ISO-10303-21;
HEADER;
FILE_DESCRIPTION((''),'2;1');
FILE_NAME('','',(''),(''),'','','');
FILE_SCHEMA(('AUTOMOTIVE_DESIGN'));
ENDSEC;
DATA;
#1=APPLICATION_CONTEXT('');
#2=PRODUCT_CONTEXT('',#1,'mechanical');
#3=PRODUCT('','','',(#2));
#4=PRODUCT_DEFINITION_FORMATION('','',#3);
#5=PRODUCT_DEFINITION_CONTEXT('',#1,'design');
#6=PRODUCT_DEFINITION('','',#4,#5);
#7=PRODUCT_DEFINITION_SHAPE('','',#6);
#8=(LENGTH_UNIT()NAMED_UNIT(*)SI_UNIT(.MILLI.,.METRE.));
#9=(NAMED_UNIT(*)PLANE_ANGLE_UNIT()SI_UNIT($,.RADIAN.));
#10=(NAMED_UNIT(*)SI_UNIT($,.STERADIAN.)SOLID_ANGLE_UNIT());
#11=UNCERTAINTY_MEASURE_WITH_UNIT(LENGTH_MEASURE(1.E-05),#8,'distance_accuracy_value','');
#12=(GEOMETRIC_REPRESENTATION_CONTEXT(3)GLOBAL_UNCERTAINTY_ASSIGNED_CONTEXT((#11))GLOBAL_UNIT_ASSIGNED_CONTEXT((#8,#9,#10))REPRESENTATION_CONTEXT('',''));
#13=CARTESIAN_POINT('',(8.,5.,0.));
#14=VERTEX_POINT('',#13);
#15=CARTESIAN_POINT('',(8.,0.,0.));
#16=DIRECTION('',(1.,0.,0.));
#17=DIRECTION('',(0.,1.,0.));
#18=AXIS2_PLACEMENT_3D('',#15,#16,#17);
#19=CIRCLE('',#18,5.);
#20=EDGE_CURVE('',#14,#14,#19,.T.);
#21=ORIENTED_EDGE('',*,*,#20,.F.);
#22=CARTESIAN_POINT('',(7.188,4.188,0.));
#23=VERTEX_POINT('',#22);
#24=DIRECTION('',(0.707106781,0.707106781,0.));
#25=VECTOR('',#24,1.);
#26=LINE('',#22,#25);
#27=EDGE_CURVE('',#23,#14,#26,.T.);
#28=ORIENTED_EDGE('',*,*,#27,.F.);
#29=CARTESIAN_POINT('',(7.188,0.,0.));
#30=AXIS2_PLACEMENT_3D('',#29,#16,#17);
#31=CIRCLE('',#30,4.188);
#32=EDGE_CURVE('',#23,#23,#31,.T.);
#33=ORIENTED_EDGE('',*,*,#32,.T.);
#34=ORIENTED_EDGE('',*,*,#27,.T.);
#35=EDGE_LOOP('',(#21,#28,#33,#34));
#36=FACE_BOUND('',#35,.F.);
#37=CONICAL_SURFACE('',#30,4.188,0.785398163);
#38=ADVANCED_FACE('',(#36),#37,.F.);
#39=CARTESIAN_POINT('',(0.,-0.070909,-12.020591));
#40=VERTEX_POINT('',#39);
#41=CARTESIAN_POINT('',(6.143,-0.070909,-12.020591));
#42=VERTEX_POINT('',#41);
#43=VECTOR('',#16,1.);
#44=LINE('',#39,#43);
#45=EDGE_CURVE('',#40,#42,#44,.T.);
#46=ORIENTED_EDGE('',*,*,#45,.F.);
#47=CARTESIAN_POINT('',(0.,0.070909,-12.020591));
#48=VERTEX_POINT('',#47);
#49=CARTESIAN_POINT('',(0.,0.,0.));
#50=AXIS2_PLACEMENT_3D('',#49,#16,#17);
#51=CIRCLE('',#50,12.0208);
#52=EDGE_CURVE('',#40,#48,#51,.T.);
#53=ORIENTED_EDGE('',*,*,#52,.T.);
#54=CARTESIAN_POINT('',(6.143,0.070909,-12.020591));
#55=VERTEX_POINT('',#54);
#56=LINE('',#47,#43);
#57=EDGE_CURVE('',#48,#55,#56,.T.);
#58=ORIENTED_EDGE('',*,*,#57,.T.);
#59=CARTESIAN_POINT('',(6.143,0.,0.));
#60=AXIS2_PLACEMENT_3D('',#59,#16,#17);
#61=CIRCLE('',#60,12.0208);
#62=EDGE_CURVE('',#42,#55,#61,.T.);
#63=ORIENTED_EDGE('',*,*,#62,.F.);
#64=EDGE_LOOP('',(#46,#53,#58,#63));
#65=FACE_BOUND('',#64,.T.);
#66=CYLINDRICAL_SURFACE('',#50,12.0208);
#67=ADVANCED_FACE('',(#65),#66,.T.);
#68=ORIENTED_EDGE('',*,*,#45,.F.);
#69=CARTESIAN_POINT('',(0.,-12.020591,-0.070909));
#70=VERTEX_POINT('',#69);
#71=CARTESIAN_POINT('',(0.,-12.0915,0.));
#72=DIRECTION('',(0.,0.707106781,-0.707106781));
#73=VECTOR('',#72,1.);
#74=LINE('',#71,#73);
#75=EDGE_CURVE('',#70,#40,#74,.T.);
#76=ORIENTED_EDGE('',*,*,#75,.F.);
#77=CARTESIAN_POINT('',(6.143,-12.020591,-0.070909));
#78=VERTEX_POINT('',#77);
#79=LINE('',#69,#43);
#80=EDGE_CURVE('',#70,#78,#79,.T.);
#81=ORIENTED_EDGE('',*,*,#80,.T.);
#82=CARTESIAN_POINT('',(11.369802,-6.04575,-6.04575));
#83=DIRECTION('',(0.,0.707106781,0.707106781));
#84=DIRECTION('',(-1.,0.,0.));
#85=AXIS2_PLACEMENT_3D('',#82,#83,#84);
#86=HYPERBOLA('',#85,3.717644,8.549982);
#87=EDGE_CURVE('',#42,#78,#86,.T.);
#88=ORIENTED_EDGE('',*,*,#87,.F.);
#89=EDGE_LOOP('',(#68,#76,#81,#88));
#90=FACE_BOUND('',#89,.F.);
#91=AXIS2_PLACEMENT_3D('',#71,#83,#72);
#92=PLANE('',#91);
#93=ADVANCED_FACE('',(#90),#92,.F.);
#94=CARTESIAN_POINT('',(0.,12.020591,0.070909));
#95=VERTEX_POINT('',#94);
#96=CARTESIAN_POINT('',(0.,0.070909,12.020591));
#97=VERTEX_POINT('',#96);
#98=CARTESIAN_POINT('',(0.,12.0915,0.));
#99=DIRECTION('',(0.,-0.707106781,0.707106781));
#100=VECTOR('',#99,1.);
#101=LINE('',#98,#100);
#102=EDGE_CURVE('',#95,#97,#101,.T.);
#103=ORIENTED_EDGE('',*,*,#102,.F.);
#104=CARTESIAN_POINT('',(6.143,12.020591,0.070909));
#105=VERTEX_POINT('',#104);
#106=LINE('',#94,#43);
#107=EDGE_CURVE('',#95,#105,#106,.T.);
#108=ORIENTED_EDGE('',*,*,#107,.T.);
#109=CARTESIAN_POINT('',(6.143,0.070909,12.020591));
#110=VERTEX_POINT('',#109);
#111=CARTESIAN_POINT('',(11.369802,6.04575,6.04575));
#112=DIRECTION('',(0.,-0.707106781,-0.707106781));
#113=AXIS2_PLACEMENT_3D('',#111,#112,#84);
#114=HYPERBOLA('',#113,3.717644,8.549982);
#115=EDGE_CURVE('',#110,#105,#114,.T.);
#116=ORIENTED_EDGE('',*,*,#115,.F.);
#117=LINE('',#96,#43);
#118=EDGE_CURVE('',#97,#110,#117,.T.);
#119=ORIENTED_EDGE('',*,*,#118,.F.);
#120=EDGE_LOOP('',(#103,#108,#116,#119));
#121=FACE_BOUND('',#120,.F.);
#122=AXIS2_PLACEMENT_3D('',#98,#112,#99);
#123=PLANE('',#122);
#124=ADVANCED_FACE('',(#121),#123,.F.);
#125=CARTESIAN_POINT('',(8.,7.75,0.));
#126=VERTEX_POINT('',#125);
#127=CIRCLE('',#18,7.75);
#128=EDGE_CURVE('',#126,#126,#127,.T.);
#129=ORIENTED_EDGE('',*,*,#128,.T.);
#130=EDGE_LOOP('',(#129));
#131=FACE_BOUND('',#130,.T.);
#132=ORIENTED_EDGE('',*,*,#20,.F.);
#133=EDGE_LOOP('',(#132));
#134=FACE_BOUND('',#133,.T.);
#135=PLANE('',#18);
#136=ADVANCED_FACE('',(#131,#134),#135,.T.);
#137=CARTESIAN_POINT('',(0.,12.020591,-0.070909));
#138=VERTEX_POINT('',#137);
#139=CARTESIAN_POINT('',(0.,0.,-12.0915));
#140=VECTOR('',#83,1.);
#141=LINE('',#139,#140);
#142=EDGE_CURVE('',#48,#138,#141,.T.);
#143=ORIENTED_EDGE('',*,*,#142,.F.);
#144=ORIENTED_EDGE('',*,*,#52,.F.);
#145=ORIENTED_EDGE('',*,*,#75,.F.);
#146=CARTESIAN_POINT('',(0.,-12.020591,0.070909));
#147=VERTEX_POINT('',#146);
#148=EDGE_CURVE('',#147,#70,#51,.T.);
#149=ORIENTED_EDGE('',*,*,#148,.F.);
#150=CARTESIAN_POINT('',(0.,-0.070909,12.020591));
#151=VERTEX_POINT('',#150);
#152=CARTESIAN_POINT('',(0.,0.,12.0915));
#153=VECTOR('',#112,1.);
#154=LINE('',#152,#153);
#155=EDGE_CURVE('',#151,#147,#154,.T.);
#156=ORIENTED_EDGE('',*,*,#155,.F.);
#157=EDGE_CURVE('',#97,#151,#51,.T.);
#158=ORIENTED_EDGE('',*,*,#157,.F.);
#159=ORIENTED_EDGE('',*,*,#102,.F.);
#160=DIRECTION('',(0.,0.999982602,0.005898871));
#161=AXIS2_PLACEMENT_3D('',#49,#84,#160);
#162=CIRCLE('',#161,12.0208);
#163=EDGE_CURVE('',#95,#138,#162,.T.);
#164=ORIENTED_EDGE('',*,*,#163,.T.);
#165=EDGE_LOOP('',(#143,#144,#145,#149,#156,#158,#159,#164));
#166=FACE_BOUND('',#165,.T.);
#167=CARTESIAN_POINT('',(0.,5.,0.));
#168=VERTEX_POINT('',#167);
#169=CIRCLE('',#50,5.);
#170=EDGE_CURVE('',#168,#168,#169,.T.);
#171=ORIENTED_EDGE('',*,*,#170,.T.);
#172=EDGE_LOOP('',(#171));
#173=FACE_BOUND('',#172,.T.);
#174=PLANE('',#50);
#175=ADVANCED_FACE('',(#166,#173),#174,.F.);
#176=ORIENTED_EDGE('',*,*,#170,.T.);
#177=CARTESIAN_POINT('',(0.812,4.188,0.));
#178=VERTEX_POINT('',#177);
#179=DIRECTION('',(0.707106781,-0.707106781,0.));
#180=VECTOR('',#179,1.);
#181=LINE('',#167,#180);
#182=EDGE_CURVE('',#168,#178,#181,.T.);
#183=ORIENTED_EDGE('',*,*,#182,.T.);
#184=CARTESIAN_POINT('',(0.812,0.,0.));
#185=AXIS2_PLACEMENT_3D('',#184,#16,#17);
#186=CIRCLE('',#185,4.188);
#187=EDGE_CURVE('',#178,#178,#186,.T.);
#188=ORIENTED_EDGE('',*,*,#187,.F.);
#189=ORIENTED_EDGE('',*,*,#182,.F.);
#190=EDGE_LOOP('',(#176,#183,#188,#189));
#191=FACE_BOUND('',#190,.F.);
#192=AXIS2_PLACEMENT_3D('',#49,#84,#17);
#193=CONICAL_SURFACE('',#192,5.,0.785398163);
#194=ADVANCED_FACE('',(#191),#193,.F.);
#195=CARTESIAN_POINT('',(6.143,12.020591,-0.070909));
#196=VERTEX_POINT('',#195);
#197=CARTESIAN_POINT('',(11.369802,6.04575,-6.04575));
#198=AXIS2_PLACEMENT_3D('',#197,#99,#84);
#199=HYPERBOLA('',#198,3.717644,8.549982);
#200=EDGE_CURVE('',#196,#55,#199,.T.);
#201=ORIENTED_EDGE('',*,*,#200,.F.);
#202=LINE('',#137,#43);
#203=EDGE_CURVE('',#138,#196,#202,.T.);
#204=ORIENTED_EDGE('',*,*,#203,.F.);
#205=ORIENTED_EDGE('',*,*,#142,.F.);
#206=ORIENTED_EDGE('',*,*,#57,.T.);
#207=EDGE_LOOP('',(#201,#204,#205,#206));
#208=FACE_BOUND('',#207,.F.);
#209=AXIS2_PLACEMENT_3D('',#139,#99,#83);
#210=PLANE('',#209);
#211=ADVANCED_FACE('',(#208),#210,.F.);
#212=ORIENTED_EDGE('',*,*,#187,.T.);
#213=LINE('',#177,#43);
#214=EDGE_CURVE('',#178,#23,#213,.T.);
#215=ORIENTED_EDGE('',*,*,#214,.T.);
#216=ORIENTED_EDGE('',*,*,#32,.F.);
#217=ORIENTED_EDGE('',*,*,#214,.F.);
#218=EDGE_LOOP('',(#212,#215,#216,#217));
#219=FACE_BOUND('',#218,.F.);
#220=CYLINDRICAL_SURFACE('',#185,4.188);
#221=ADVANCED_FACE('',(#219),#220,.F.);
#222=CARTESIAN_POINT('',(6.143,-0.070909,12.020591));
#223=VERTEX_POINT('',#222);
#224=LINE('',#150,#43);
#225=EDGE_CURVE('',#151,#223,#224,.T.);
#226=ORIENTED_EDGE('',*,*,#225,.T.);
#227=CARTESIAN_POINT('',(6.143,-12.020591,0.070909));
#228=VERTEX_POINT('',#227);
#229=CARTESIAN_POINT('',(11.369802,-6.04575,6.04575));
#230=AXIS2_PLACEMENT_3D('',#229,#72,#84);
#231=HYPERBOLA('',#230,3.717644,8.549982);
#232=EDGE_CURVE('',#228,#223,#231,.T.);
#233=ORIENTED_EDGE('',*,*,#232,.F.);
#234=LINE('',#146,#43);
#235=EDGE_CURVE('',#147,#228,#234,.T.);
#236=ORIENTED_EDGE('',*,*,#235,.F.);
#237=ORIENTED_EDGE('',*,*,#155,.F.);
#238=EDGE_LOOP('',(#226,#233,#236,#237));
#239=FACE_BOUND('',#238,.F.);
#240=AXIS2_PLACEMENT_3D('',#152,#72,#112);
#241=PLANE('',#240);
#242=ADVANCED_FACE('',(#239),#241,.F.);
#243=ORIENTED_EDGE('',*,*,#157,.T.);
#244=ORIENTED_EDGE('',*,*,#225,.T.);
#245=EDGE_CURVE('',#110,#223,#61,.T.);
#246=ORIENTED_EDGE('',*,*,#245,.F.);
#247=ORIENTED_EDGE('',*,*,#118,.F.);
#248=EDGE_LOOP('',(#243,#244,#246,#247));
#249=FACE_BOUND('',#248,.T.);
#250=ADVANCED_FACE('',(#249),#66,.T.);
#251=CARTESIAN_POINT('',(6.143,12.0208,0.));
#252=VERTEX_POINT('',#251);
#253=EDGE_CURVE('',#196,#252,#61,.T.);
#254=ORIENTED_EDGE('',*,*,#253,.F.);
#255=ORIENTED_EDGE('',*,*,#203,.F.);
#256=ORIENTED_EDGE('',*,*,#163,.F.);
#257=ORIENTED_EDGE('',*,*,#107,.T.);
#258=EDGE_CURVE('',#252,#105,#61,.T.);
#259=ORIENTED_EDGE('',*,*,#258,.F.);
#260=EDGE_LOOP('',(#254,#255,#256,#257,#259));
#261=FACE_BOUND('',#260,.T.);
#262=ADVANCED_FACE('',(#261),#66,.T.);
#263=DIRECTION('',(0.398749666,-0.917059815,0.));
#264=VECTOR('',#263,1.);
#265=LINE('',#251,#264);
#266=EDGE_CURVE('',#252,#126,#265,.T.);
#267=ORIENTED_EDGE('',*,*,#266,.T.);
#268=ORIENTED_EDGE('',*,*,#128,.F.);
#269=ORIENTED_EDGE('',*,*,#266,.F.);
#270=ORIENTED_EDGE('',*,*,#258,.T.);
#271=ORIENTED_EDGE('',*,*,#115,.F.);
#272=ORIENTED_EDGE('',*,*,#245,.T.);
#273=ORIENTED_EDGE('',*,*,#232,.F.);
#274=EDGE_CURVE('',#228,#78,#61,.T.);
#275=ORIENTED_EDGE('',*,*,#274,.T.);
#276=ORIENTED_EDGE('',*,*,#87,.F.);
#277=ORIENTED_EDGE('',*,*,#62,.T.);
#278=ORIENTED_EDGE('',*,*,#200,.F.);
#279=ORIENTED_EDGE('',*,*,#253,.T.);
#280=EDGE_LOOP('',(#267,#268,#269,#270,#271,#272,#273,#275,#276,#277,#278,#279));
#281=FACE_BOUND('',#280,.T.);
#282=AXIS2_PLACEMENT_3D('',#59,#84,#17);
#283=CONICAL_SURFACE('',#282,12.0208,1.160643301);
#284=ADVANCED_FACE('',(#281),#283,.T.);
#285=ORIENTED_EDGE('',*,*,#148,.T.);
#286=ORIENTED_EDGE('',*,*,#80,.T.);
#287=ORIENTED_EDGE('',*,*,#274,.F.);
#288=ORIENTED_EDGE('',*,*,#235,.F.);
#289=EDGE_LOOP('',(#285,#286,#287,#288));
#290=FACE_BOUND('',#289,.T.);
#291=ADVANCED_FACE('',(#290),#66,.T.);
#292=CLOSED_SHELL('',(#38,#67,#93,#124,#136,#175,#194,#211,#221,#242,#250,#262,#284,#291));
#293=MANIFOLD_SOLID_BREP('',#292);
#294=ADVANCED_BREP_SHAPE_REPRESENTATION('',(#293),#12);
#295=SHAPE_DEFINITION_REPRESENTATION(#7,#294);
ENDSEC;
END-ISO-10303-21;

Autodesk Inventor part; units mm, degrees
sketch "Sketch_2" plane through (0, 0, 0) normal (0, 0, 1) x (1, 0, 0)
  line L0 (8, 0) -> (0, 0)
  line L1 (0, 0) -> (0, 12.0208)
  line L2 (0, 12.0208) -> (6.143, 12.0208)
  line L3 (6.143, 12.0208) -> (8, 7.75)
  line L4 (8, 7.75) -> (8, 0)
  line L5 (8, 0) -> (0, 0)
revolve "Revolution1" add sketch "Sketch_2" angle 360 about axis through (8, 0, 0) along (1, 0, 0)
sketch "Skizze_2" plane through (0, 0, 0) normal (1, 0, 0) x (0, 1, 0)
  line L0 (34, 34) -> (-34, 34)
  line L1 (-34, 34) -> (-34, -34)
  line L2 (-34, -34) -> (34, -34)
  line L3 (34, -34) -> (34, 34)
  line L4 (0, 12.0915) -> (-12.0915, 0)
  line L5 (-12.0915, 0) -> (0, -12.0915)
  line L6 (0, -12.0915) -> (12.0915, 0)
  line L7 (12.0915, 0) -> (0, 12.0915)
extrude "Extrusion1" cut sketch "Skizze_2" along normal blind 8
sketch "Sketch_1" plane through (0, 0, 0) normal (0, 0, 1) x (1, 0, 0)
  line L0 (8, 0) -> (0, 0)
  line L1 (0, 0) -> (0, 5)
  line L2 (0, 5) -> (0.812, 4.188)
  line L3 (0.812, 4.188) -> (7.188, 4.188)
  line L4 (7.188, 4.188) -> (8, 5)
  line L5 (8, 5) -> (8, 0)
  line L6 (8, 0) -> (0, 0)
revolve "Revolution2" cut sketch "Sketch_1" angle 360 about axis through (8, 0, 0) along (1, 0, 0)
thread "Thread1" size "M10x1.5" class "6H" standard "ISO Metric profile" full length
ref_plane "IP1_XY" through (0, 0, 0) normal (1, 0, 0) x (0, 0, -1)
ref_plane "IP1_YZ" through (0, 0, 0) normal (0, 0, -1) x (0, 1, 0)
ref_plane "IP1_ZX" through (0, 0, 0) normal (0, 1, 0) x (1, 0, 0)
ref_plane "IP2_XY" through (8, 0, 0) normal (1, 0, 0) x (0, 0, -1)
ref_plane "IP2_YZ" through (8, 0, 0) normal (0, 0, -1) x (0, 1, 0)
ref_plane "IP2_ZX" through (8, 0, 0) normal (0, 1, 0) x (1, 0, 0)
properties part number "DIN 557 - M10"
